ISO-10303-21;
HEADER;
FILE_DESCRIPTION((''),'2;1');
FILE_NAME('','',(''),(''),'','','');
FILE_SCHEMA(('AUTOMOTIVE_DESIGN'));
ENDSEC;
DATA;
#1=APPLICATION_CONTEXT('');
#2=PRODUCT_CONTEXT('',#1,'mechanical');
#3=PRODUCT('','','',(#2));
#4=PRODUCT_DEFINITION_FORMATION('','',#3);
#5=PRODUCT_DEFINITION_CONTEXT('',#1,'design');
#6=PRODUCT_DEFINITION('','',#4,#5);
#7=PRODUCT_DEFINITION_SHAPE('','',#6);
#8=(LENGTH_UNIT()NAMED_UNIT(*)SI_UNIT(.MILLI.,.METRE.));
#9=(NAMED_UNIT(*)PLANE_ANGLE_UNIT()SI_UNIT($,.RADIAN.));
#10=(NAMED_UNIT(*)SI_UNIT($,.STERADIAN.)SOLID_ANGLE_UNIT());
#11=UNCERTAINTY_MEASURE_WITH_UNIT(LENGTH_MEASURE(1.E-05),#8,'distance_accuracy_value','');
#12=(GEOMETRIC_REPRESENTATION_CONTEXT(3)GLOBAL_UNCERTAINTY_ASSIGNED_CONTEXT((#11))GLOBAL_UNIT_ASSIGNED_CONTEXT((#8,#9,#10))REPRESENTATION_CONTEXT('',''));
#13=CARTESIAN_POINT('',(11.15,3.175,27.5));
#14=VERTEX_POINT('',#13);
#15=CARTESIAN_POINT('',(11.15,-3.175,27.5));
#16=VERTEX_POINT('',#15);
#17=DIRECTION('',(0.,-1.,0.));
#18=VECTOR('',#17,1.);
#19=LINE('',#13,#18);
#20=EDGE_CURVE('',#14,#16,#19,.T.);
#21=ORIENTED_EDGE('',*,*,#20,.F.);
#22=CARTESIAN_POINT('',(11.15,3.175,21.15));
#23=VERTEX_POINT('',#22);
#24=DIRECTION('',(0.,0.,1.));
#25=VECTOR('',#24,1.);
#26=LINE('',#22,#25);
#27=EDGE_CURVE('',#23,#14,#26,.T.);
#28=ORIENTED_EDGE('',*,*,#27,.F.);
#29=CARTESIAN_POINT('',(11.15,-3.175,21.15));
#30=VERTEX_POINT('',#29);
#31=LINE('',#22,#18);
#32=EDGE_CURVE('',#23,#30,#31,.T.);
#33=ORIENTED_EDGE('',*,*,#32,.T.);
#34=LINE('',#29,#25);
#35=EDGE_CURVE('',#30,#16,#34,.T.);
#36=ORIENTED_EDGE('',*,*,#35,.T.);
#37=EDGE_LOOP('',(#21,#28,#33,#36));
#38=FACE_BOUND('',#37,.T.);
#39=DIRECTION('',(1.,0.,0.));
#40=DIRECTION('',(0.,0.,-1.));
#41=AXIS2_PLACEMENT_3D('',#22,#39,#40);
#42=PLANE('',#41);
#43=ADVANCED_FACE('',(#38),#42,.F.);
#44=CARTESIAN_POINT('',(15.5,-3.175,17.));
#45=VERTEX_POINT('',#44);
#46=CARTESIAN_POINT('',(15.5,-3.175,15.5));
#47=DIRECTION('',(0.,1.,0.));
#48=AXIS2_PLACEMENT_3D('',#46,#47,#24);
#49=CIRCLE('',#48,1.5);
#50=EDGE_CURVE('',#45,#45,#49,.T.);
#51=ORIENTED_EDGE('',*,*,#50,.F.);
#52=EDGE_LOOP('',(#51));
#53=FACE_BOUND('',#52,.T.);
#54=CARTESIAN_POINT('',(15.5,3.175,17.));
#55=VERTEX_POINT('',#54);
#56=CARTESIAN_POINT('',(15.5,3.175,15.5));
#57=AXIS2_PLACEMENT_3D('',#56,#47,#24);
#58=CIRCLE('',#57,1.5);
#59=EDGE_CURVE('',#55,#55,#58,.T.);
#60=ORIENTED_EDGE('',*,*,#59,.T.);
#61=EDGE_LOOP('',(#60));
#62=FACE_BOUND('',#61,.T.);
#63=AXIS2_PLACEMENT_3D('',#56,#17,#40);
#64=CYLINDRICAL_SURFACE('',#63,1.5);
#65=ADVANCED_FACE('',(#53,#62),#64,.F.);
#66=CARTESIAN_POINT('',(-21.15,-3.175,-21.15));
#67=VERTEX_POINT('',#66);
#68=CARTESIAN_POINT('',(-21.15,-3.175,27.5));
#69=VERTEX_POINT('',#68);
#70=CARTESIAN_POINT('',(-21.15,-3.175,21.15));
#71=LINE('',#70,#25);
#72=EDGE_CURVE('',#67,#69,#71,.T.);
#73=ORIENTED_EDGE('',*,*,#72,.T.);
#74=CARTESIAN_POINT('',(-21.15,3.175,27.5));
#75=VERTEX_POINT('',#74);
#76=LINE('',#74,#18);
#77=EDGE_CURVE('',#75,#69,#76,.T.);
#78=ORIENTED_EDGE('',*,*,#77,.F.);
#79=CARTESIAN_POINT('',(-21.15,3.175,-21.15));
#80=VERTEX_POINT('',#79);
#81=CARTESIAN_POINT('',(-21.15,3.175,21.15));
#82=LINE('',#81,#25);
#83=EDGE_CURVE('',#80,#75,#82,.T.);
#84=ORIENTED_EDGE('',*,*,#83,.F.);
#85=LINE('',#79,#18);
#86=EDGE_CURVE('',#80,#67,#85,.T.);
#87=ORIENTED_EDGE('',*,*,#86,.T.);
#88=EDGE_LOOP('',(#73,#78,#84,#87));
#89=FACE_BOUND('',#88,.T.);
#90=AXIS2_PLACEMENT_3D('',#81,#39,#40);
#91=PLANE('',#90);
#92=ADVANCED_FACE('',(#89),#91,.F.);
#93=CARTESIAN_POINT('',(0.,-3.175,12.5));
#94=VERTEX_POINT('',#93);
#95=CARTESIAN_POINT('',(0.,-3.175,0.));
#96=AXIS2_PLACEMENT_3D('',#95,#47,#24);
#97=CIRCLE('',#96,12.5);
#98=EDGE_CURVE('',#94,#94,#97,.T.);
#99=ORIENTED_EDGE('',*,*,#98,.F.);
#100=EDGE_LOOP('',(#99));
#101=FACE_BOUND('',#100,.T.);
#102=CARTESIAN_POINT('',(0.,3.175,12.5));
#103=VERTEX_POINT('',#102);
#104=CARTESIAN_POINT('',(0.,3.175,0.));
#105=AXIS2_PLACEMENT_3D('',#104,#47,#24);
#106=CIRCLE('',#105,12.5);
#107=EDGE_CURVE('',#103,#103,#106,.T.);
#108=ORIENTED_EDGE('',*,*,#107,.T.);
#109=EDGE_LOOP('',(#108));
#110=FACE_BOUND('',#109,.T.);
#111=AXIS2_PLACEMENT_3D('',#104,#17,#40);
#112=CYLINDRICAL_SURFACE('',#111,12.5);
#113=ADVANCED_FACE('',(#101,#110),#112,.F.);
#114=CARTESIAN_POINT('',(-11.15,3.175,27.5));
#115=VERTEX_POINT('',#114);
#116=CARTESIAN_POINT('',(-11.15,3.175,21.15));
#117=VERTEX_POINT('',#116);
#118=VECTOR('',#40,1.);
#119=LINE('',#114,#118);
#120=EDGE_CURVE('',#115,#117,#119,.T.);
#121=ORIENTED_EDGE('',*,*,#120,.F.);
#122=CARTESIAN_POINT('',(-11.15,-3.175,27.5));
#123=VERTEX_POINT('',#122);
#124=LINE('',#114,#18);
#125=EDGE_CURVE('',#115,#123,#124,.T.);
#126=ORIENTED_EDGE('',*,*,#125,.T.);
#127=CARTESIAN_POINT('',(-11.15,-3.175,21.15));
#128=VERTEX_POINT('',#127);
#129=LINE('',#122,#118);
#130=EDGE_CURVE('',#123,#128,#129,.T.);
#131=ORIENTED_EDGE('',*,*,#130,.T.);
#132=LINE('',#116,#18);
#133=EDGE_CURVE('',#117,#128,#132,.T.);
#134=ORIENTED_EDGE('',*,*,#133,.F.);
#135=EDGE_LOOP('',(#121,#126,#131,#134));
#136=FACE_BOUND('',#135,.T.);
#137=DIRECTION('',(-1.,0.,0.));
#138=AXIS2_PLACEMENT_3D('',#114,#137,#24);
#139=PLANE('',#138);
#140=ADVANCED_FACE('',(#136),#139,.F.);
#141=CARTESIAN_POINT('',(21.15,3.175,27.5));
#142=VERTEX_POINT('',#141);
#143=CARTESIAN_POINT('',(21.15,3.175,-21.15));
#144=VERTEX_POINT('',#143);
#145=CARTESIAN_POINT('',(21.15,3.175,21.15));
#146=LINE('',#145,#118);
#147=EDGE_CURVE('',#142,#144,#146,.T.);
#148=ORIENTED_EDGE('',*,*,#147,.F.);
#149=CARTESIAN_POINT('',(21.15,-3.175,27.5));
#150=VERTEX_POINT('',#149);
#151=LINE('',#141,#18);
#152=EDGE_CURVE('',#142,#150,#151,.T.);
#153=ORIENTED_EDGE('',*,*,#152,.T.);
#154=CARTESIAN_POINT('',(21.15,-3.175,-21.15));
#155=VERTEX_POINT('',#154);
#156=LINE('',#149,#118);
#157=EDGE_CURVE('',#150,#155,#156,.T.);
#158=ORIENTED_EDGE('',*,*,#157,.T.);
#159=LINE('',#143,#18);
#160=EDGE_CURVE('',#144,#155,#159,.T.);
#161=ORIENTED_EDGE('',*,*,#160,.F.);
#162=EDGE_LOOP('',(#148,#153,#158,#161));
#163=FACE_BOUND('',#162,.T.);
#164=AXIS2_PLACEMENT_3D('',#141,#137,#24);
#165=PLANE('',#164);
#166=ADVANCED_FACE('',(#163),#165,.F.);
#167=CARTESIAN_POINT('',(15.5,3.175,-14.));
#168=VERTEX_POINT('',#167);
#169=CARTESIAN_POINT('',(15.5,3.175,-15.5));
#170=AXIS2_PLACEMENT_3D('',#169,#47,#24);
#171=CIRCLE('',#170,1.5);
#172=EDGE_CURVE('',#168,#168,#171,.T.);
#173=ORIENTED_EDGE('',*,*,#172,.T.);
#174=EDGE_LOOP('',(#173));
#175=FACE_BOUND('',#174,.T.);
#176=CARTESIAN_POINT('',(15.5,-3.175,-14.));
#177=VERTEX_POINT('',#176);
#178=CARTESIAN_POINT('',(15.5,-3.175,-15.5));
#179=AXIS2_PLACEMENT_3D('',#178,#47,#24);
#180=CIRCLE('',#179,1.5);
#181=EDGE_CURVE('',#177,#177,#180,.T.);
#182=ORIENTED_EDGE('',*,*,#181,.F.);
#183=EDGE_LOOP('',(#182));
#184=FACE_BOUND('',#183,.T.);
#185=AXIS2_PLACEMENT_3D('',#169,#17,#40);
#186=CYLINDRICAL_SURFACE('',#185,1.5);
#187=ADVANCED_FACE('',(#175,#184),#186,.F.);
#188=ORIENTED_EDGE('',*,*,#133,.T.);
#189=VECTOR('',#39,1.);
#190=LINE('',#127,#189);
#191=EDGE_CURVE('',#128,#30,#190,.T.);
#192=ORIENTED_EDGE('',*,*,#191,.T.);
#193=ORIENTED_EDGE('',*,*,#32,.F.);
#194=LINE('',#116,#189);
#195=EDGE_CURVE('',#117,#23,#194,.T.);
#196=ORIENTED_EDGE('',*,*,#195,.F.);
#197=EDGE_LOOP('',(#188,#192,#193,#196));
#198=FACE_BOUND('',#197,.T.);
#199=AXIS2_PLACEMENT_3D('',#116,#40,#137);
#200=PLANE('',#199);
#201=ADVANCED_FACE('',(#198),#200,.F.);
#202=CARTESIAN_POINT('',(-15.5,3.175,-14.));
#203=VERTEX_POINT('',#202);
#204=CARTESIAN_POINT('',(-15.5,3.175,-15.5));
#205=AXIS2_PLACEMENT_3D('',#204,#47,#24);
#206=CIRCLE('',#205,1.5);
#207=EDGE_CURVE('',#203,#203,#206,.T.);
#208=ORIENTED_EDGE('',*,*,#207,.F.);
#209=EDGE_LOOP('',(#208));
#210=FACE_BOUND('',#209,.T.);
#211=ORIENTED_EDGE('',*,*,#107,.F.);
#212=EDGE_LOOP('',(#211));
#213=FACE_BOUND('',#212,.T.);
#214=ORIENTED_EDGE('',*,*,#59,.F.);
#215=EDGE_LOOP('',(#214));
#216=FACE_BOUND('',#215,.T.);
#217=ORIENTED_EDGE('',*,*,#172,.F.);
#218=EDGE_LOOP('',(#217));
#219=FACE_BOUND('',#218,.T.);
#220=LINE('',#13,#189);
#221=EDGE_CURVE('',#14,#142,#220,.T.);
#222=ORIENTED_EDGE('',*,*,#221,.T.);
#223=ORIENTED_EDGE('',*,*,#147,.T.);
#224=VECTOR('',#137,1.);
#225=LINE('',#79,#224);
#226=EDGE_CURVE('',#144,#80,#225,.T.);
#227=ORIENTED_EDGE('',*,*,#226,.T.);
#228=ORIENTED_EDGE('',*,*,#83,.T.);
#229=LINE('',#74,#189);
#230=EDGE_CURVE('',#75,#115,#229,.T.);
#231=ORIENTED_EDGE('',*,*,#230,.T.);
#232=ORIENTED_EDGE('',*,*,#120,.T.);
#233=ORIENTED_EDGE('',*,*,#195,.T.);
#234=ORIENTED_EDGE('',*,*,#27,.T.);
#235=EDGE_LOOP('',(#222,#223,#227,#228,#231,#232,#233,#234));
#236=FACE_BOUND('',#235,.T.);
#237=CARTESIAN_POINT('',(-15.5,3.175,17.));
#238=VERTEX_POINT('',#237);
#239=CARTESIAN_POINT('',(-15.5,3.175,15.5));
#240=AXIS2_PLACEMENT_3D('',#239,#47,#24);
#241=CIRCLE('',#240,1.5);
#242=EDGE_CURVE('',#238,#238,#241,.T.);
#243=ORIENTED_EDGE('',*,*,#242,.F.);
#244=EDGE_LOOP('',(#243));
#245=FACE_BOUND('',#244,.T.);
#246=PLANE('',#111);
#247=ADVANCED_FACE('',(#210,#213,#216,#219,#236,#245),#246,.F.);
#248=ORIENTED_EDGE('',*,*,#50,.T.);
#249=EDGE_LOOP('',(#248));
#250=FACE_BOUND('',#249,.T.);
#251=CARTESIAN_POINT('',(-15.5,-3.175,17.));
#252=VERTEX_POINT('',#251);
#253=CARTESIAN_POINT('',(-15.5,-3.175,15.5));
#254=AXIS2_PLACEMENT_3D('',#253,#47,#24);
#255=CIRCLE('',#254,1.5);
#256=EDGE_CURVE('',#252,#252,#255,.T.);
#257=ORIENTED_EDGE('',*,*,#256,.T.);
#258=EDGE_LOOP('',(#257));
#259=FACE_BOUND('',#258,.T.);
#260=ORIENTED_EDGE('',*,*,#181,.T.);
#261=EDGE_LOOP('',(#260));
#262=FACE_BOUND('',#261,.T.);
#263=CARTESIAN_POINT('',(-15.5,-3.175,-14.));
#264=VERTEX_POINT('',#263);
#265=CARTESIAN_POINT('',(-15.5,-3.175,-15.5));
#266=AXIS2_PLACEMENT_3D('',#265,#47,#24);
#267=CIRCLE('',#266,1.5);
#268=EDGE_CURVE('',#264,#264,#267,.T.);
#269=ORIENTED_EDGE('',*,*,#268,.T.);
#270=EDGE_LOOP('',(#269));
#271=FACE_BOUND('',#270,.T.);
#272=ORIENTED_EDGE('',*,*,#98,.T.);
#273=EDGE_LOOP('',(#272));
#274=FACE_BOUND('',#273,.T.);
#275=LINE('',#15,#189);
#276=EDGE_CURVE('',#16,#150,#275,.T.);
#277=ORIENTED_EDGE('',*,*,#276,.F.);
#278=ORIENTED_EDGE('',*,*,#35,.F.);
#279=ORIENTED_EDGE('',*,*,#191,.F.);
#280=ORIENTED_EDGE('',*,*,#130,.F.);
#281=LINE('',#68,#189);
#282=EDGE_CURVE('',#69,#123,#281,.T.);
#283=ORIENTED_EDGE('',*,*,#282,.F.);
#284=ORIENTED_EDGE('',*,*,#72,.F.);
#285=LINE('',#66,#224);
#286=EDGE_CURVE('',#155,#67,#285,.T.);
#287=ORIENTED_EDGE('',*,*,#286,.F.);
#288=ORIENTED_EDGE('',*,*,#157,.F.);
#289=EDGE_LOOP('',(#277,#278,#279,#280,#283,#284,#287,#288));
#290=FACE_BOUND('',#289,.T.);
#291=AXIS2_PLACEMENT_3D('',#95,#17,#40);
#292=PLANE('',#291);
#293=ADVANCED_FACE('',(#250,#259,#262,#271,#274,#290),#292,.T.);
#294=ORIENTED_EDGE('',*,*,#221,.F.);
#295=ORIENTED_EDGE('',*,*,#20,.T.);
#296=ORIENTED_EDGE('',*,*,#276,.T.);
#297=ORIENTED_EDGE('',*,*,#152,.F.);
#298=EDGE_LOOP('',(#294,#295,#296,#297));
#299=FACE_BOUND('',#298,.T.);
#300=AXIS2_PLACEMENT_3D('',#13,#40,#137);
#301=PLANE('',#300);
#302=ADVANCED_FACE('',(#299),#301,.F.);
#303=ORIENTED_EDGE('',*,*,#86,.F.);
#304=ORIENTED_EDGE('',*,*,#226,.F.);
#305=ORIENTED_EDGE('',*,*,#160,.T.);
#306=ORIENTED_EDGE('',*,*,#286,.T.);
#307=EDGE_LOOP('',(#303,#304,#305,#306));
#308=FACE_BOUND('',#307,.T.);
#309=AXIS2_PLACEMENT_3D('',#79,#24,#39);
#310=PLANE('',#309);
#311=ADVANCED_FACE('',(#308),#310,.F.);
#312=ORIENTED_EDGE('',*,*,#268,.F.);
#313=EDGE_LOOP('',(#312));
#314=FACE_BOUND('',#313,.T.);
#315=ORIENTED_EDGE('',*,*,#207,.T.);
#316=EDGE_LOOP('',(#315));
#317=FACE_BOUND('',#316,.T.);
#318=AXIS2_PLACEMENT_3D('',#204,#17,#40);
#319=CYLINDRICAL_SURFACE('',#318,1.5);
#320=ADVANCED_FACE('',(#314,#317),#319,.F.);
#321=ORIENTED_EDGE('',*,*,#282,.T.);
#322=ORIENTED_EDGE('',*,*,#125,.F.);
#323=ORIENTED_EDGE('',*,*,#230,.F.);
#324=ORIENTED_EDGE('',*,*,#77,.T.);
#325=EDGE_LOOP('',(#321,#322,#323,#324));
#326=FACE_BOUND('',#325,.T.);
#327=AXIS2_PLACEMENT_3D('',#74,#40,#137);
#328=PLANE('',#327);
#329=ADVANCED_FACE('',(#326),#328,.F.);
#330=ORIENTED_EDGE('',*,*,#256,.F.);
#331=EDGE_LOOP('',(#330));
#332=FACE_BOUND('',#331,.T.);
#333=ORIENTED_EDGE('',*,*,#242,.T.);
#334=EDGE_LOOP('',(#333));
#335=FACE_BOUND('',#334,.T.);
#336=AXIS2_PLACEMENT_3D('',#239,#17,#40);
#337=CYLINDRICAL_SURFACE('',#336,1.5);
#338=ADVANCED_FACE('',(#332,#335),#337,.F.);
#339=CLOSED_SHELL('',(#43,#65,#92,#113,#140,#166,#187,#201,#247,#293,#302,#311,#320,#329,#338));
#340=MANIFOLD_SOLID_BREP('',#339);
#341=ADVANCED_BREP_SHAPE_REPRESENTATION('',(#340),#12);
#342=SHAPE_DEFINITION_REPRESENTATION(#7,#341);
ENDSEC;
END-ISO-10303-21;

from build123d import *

# Parameters (mm, degrees)
SKETCH1_R           = 12.5
SKETCH1_R_2         = 1.5
BOSS_EXTRUDE1_DEPTH = 3.175


with BuildPart() as part:
    # Sketch1 → Boss-Extrude1 (new, symmetric)
    with BuildSketch(Plane(origin=(0, 0, 0), x_dir=(1, 0, 0), z_dir=(0, 1, 0))):
        Polygon((-21.15, -21.15), (-21.15, -27.5), (-11.15, -27.5), (-11.15, -21.15), (11.15, -21.15), (11.15, -27.5), (21.15, -27.5), (21.15, -21.15), (21.15, 21.15), (-21.15, 21.15), align=None)
        with Locations(Location((0, 0, 0), (0, 0, 270))):
            Circle(SKETCH1_R, mode=Mode.SUBTRACT)
        with Locations(Location((-15.5, 15.5, 0), (0, 0, 270))):
            Circle(SKETCH1_R_2, mode=Mode.SUBTRACT)
        with Locations(Location((15.5, 15.5, 0), (0, 0, 270))):
            Circle(SKETCH1_R_2, mode=Mode.SUBTRACT)
        with Locations(Location((15.5, -15.5, 0), (0, 0, 270))):
            Circle(SKETCH1_R_2, mode=Mode.SUBTRACT)
        with Locations(Location((-15.5, -15.5, 0), (0, 0, 270))):
            Circle(SKETCH1_R_2, mode=Mode.SUBTRACT)
    extrude(amount=BOSS_EXTRUDE1_DEPTH, both=True)


solid = part.part
